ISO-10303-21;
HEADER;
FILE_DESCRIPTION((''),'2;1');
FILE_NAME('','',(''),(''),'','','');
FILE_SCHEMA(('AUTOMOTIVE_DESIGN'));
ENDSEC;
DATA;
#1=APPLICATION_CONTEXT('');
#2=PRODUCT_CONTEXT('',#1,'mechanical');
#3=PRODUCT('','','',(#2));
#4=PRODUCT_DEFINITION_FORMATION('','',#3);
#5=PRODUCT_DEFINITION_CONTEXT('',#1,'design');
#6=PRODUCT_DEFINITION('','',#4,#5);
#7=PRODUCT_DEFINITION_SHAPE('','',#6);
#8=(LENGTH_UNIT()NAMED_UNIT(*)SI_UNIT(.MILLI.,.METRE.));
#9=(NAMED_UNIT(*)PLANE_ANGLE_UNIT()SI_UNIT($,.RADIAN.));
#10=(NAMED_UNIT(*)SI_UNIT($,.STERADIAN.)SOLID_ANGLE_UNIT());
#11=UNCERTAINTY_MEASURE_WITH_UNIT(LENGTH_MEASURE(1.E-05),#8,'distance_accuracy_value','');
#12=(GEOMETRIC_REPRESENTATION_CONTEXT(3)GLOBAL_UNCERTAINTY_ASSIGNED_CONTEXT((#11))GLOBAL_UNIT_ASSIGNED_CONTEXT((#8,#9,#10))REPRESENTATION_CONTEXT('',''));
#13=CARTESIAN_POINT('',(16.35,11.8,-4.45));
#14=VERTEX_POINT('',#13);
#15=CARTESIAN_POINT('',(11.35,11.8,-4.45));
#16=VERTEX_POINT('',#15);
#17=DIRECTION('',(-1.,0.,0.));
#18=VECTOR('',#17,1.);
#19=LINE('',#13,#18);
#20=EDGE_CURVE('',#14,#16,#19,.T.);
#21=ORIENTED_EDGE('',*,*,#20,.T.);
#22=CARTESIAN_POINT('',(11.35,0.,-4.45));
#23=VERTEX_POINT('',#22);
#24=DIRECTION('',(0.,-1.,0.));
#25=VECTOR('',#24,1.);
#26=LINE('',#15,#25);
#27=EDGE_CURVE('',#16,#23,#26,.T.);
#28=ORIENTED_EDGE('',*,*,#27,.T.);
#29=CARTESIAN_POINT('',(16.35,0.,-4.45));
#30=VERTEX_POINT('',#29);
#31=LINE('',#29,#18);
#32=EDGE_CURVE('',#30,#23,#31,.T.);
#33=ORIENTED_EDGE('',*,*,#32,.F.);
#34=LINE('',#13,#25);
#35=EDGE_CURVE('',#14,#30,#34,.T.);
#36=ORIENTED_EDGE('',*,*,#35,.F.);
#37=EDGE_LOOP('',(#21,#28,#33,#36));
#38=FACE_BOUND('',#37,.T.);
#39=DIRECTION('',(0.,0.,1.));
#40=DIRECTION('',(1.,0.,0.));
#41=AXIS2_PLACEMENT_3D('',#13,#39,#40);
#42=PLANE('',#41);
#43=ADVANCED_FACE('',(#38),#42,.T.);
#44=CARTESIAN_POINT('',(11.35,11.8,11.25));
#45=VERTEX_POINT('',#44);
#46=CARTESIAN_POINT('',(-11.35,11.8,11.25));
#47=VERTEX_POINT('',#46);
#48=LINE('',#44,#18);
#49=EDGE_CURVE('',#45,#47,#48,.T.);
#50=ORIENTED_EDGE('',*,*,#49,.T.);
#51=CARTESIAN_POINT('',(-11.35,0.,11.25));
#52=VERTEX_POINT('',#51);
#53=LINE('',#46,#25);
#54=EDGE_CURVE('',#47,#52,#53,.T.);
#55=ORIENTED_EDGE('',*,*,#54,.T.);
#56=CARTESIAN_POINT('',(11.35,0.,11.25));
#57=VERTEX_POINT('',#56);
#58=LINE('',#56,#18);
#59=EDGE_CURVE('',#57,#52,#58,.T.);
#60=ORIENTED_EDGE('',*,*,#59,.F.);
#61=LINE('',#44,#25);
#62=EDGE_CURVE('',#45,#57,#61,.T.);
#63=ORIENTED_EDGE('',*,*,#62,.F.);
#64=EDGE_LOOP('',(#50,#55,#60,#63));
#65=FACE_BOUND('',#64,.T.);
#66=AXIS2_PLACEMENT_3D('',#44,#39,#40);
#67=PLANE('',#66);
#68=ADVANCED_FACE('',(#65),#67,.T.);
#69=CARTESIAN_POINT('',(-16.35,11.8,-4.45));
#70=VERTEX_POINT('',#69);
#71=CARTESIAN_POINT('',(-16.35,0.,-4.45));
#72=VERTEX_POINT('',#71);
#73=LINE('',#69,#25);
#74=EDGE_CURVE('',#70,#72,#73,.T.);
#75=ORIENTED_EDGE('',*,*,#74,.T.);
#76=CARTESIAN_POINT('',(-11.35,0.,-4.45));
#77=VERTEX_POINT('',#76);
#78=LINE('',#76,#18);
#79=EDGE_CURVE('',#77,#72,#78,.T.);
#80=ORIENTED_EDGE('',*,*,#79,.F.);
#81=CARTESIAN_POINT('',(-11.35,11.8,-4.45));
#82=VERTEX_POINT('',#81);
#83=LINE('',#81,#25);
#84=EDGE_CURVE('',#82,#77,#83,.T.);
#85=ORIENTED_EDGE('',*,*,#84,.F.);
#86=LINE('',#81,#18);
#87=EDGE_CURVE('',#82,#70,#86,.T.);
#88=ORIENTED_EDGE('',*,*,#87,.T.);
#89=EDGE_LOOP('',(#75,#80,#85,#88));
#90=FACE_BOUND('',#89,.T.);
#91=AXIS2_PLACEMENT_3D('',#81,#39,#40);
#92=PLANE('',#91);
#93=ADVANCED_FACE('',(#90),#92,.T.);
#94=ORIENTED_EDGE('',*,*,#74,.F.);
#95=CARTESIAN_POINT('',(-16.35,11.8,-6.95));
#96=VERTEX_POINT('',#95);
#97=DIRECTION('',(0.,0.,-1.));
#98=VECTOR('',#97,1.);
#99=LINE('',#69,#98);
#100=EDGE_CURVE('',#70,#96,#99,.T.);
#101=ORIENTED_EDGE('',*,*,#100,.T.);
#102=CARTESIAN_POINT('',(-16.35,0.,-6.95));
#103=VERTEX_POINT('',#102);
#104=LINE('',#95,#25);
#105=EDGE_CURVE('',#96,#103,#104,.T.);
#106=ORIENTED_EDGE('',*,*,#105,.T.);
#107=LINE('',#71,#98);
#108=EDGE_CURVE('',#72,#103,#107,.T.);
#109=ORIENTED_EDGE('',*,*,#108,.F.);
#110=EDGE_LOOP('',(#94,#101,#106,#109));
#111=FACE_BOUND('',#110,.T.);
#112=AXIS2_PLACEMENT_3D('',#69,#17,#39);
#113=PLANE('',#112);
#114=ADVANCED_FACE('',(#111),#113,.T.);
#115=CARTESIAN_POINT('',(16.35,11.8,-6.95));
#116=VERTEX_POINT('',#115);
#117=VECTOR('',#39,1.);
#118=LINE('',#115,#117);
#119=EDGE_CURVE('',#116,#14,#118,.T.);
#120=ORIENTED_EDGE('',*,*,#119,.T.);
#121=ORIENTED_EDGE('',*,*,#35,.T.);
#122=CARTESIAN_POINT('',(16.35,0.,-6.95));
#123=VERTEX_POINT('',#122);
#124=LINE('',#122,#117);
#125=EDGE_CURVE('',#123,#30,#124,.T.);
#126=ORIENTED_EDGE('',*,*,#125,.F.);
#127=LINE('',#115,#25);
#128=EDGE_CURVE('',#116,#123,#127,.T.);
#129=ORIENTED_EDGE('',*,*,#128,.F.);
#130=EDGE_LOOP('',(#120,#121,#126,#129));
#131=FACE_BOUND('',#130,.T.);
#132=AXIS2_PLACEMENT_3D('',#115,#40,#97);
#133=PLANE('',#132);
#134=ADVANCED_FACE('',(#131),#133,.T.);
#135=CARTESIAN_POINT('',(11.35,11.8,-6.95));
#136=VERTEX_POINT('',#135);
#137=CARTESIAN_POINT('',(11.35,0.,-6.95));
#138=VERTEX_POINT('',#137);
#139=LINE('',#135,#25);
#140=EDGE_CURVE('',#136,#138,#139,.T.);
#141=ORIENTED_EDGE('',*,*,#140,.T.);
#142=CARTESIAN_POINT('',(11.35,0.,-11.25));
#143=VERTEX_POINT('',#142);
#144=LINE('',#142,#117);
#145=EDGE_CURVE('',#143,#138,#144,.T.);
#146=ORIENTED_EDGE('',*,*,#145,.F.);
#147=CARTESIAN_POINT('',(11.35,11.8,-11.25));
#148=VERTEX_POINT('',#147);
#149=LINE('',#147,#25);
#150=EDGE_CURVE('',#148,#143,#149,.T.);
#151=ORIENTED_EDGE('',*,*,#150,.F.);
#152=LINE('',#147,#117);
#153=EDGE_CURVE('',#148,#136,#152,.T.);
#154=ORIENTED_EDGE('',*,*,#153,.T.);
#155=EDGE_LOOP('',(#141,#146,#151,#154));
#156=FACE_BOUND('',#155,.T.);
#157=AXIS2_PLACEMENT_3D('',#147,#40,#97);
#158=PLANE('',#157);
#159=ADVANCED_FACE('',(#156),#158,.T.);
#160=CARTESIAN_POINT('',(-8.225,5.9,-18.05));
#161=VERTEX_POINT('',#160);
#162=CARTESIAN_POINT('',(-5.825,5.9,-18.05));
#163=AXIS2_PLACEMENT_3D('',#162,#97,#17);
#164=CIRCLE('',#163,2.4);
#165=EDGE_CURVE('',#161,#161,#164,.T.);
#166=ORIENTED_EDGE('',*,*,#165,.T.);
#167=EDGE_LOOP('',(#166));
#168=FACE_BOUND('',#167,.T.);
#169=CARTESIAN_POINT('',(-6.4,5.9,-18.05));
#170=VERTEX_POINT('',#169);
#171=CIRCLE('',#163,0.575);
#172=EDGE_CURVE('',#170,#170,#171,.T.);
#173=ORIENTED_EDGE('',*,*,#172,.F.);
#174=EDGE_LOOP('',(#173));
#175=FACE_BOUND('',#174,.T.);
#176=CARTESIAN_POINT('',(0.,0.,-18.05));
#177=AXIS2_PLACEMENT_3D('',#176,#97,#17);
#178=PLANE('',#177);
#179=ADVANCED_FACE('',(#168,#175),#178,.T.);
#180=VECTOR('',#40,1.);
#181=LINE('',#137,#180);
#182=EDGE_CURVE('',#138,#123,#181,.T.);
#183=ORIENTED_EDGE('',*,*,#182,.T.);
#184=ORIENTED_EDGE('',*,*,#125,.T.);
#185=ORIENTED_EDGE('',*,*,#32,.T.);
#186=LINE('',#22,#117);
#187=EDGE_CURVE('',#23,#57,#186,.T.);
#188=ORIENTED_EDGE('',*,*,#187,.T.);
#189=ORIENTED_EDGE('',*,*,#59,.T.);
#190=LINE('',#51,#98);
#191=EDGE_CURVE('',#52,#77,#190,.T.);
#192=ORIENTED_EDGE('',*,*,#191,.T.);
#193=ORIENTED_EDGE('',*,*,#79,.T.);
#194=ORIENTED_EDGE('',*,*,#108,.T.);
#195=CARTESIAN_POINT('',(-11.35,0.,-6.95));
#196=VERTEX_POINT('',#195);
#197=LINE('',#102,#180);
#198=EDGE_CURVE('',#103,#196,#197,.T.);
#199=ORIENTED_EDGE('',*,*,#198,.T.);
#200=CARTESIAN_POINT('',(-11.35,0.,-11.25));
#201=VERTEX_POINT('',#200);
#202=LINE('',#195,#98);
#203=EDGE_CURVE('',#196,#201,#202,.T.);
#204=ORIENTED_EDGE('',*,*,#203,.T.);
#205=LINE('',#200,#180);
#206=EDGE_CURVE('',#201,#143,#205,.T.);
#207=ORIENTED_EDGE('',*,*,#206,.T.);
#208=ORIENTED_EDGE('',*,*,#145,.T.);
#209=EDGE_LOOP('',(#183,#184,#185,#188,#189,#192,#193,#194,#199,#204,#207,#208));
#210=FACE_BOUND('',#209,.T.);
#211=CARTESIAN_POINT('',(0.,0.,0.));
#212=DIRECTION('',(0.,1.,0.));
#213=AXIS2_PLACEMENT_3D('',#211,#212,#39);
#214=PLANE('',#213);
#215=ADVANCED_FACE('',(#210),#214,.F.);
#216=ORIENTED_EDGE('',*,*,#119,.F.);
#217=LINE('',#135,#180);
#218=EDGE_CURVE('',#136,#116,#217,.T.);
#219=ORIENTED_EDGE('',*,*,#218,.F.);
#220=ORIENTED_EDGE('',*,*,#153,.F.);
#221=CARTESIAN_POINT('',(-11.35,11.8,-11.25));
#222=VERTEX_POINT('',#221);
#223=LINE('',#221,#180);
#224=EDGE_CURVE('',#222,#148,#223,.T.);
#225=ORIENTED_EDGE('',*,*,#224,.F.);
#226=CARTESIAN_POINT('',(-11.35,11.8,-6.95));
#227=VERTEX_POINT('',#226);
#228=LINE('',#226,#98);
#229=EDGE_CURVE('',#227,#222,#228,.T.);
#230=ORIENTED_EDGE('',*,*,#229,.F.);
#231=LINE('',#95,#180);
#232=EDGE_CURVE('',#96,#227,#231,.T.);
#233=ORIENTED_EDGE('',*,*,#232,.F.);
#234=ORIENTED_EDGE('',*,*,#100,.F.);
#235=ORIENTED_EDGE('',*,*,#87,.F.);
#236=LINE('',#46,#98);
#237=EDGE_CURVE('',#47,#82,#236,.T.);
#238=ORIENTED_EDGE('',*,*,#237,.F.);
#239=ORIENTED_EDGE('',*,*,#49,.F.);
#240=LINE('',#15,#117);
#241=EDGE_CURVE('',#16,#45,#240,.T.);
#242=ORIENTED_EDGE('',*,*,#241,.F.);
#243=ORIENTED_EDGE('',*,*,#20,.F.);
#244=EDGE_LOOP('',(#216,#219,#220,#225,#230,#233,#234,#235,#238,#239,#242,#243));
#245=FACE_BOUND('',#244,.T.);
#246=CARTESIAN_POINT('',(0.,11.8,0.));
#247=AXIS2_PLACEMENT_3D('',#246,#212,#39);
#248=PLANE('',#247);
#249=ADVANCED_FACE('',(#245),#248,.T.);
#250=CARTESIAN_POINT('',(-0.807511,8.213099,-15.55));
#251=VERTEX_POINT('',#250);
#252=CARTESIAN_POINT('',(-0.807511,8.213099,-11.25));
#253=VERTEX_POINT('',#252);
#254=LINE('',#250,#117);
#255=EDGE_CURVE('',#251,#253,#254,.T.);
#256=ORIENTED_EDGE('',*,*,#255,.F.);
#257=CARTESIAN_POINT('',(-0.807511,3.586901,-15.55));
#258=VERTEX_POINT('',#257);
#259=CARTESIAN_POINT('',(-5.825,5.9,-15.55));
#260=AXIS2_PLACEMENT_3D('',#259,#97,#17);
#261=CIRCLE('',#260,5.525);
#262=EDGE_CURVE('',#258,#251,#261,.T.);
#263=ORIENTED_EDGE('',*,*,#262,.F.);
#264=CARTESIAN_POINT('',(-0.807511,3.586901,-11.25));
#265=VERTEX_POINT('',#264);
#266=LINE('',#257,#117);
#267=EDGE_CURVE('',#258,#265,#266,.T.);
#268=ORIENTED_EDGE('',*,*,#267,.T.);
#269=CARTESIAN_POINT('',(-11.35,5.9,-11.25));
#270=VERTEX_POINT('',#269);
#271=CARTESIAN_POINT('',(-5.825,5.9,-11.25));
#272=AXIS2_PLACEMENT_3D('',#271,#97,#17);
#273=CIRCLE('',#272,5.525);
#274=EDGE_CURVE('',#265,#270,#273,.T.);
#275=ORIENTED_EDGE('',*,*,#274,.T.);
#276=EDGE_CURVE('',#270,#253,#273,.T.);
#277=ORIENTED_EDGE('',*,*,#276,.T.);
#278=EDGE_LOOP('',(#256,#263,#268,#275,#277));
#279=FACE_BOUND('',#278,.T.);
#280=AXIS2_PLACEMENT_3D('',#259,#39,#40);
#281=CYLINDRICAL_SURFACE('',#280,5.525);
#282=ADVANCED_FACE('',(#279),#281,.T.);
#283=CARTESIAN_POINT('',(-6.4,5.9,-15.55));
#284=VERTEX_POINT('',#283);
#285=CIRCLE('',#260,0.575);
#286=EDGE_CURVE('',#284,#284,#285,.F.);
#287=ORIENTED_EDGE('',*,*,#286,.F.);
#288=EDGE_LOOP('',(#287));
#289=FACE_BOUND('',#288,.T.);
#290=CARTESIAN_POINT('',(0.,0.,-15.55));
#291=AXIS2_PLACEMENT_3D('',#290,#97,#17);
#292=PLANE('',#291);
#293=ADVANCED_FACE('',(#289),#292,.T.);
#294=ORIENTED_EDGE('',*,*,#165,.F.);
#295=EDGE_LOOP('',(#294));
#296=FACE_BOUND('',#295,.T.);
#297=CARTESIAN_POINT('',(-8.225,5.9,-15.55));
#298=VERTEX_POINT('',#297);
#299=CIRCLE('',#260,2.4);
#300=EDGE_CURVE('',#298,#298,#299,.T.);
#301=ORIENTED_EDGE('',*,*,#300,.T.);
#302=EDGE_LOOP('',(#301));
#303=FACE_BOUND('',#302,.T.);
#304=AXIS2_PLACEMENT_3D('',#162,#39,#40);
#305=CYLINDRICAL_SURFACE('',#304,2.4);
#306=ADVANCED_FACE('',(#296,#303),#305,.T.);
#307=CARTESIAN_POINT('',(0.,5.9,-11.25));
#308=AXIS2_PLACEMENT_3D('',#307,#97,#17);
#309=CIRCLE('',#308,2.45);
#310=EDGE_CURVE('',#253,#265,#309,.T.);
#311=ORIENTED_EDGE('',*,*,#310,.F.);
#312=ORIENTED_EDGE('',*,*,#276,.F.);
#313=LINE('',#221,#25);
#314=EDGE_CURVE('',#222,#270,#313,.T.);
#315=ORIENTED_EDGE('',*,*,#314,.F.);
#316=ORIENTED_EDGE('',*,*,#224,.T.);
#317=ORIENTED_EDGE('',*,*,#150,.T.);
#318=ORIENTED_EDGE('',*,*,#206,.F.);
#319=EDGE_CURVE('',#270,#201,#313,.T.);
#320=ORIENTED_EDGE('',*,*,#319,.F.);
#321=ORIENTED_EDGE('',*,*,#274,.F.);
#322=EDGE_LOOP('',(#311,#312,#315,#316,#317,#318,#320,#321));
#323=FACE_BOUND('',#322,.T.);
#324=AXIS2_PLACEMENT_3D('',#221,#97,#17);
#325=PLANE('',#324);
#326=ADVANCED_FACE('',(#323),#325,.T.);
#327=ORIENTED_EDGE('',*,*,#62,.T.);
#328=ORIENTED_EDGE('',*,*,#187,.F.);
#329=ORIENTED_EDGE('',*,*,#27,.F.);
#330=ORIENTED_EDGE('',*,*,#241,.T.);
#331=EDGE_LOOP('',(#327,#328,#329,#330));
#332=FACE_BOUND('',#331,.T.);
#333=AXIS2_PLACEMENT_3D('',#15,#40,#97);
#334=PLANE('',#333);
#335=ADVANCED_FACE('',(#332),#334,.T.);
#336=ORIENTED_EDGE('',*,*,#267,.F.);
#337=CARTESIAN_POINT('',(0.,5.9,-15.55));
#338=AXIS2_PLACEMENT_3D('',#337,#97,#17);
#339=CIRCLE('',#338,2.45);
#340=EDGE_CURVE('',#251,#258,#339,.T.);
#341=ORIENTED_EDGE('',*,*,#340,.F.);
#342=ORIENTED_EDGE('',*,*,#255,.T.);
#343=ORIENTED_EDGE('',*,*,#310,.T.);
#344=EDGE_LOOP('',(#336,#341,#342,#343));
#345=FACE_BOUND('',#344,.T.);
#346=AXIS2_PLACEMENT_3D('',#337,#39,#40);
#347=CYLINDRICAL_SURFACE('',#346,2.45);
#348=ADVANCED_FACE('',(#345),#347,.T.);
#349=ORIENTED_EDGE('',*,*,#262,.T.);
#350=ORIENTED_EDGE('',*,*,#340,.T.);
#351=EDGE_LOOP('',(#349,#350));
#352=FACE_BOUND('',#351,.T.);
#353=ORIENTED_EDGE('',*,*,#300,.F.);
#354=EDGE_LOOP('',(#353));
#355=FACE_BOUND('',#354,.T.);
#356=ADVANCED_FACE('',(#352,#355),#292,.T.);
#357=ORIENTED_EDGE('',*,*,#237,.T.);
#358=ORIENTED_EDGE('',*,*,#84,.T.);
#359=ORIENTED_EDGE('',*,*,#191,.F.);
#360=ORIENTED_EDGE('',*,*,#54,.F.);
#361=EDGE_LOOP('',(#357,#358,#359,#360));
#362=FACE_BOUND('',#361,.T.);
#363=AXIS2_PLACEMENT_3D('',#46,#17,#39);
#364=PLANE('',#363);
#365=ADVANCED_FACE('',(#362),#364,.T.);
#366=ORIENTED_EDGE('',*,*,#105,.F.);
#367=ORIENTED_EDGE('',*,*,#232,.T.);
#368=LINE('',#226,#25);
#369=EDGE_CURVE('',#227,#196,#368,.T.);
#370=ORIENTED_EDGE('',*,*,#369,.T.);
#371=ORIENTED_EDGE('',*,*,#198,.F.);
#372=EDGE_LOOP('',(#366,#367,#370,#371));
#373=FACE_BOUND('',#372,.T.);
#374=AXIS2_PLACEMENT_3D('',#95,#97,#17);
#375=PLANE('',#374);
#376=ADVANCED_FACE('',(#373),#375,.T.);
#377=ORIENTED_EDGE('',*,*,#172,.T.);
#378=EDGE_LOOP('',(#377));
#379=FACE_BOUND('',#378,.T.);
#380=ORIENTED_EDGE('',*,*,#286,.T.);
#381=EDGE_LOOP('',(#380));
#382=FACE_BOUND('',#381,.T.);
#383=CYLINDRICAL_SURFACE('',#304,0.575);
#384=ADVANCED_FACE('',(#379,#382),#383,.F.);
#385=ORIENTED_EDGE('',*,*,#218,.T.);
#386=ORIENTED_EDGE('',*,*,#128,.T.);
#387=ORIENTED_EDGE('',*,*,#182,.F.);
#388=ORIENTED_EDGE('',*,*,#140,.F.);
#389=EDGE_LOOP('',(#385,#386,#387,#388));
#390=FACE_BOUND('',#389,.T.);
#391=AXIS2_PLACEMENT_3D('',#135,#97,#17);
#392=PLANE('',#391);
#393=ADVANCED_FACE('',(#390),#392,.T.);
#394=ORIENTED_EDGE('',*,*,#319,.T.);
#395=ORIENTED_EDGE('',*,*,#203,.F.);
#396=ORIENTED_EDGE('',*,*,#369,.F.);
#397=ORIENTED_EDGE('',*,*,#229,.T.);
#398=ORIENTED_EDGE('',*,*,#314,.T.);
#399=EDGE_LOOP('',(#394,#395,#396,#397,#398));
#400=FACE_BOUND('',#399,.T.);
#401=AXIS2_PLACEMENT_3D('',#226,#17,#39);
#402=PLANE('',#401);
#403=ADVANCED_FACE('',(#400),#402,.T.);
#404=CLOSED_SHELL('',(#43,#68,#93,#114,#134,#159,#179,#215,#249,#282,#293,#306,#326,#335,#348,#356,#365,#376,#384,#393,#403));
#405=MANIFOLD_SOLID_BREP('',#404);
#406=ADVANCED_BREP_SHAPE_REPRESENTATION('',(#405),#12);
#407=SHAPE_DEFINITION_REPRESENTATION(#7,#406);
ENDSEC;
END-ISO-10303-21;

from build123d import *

# Parameters (mm, degrees)
SALIENTE_EXTRUIR1_DEPTH = 11.8
CROQUIS7_R              = 5.525
CROQUIS7_R_2            = 2.45
SALIENTE_EXTRUIR2_DEPTH = 4.3
SALIENTE_EXTRUIR4_DEPTH = 2.5


with BuildPart() as part:
    # Croquis3 → Saliente-Extruir1 (new body)
    with BuildSketch(Plane(origin=(0, 0, 0), x_dir=(1, 0, 0), z_dir=(0, 1, 0))):
        Polygon((-11.35, 11.25), (11.35, 11.25), (11.35, 6.95), (16.35, 6.95), (16.35, 4.45), (11.35, 4.45), (11.35, -11.25), (-11.35, -11.25), (-11.35, 4.45), (-16.35, 4.45), (-16.35, 6.95), (-11.35, 6.95), align=None)
    extrude(amount=SALIENTE_EXTRUIR1_DEPTH)

    # Croquis7 → Saliente-Extruir2 (add)
    with BuildSketch(Plane(origin=(0, 0, -11.25), x_dir=(-1, 0, 0), z_dir=(0, 0, -1))):
        with Locations((5.825, 5.9)):
            Circle(CROQUIS7_R)
        with Locations((0, 5.9)):
            Circle(CROQUIS7_R_2)
    extrude(amount=SALIENTE_EXTRUIR2_DEPTH)

    # Croquis8 → Saliente-Extruir4 (add)
    with BuildSketch(Plane(origin=(0, 0, -15.55), x_dir=(-1, 0, 0), z_dir=(0, 0, -1))):
        with BuildLine():
            ThreePointArc((8.225, 5.9), (7.522056275, 7.597056275), (5.825, 8.3))
            Line((5.825, 8.3), (5.825, 6.475))
            ThreePointArc((5.825, 6.475), (6.231586399, 6.306586399), (6.4, 5.9))
            ThreePointArc((6.4, 5.9), (6.231586399, 5.493413601), (5.825, 5.325))
            Line((5.825, 5.325), (5.825, 3.5))
            ThreePointArc((5.825, 3.5), (7.522056275, 4.202943725), (8.225, 5.9))
        make_face()
        with BuildLine():
            Line((5.825, 6.475), (5.825, 8.3))
            ThreePointArc((5.825, 8.3), (3.425, 5.9), (5.825, 3.5))
            Line((5.825, 3.5), (5.825, 5.325))
            ThreePointArc((5.825, 5.325), (5.25, 5.9), (5.825, 6.475))
        make_face()
    extrude(amount=SALIENTE_EXTRUIR4_DEPTH)


solid = part.part
